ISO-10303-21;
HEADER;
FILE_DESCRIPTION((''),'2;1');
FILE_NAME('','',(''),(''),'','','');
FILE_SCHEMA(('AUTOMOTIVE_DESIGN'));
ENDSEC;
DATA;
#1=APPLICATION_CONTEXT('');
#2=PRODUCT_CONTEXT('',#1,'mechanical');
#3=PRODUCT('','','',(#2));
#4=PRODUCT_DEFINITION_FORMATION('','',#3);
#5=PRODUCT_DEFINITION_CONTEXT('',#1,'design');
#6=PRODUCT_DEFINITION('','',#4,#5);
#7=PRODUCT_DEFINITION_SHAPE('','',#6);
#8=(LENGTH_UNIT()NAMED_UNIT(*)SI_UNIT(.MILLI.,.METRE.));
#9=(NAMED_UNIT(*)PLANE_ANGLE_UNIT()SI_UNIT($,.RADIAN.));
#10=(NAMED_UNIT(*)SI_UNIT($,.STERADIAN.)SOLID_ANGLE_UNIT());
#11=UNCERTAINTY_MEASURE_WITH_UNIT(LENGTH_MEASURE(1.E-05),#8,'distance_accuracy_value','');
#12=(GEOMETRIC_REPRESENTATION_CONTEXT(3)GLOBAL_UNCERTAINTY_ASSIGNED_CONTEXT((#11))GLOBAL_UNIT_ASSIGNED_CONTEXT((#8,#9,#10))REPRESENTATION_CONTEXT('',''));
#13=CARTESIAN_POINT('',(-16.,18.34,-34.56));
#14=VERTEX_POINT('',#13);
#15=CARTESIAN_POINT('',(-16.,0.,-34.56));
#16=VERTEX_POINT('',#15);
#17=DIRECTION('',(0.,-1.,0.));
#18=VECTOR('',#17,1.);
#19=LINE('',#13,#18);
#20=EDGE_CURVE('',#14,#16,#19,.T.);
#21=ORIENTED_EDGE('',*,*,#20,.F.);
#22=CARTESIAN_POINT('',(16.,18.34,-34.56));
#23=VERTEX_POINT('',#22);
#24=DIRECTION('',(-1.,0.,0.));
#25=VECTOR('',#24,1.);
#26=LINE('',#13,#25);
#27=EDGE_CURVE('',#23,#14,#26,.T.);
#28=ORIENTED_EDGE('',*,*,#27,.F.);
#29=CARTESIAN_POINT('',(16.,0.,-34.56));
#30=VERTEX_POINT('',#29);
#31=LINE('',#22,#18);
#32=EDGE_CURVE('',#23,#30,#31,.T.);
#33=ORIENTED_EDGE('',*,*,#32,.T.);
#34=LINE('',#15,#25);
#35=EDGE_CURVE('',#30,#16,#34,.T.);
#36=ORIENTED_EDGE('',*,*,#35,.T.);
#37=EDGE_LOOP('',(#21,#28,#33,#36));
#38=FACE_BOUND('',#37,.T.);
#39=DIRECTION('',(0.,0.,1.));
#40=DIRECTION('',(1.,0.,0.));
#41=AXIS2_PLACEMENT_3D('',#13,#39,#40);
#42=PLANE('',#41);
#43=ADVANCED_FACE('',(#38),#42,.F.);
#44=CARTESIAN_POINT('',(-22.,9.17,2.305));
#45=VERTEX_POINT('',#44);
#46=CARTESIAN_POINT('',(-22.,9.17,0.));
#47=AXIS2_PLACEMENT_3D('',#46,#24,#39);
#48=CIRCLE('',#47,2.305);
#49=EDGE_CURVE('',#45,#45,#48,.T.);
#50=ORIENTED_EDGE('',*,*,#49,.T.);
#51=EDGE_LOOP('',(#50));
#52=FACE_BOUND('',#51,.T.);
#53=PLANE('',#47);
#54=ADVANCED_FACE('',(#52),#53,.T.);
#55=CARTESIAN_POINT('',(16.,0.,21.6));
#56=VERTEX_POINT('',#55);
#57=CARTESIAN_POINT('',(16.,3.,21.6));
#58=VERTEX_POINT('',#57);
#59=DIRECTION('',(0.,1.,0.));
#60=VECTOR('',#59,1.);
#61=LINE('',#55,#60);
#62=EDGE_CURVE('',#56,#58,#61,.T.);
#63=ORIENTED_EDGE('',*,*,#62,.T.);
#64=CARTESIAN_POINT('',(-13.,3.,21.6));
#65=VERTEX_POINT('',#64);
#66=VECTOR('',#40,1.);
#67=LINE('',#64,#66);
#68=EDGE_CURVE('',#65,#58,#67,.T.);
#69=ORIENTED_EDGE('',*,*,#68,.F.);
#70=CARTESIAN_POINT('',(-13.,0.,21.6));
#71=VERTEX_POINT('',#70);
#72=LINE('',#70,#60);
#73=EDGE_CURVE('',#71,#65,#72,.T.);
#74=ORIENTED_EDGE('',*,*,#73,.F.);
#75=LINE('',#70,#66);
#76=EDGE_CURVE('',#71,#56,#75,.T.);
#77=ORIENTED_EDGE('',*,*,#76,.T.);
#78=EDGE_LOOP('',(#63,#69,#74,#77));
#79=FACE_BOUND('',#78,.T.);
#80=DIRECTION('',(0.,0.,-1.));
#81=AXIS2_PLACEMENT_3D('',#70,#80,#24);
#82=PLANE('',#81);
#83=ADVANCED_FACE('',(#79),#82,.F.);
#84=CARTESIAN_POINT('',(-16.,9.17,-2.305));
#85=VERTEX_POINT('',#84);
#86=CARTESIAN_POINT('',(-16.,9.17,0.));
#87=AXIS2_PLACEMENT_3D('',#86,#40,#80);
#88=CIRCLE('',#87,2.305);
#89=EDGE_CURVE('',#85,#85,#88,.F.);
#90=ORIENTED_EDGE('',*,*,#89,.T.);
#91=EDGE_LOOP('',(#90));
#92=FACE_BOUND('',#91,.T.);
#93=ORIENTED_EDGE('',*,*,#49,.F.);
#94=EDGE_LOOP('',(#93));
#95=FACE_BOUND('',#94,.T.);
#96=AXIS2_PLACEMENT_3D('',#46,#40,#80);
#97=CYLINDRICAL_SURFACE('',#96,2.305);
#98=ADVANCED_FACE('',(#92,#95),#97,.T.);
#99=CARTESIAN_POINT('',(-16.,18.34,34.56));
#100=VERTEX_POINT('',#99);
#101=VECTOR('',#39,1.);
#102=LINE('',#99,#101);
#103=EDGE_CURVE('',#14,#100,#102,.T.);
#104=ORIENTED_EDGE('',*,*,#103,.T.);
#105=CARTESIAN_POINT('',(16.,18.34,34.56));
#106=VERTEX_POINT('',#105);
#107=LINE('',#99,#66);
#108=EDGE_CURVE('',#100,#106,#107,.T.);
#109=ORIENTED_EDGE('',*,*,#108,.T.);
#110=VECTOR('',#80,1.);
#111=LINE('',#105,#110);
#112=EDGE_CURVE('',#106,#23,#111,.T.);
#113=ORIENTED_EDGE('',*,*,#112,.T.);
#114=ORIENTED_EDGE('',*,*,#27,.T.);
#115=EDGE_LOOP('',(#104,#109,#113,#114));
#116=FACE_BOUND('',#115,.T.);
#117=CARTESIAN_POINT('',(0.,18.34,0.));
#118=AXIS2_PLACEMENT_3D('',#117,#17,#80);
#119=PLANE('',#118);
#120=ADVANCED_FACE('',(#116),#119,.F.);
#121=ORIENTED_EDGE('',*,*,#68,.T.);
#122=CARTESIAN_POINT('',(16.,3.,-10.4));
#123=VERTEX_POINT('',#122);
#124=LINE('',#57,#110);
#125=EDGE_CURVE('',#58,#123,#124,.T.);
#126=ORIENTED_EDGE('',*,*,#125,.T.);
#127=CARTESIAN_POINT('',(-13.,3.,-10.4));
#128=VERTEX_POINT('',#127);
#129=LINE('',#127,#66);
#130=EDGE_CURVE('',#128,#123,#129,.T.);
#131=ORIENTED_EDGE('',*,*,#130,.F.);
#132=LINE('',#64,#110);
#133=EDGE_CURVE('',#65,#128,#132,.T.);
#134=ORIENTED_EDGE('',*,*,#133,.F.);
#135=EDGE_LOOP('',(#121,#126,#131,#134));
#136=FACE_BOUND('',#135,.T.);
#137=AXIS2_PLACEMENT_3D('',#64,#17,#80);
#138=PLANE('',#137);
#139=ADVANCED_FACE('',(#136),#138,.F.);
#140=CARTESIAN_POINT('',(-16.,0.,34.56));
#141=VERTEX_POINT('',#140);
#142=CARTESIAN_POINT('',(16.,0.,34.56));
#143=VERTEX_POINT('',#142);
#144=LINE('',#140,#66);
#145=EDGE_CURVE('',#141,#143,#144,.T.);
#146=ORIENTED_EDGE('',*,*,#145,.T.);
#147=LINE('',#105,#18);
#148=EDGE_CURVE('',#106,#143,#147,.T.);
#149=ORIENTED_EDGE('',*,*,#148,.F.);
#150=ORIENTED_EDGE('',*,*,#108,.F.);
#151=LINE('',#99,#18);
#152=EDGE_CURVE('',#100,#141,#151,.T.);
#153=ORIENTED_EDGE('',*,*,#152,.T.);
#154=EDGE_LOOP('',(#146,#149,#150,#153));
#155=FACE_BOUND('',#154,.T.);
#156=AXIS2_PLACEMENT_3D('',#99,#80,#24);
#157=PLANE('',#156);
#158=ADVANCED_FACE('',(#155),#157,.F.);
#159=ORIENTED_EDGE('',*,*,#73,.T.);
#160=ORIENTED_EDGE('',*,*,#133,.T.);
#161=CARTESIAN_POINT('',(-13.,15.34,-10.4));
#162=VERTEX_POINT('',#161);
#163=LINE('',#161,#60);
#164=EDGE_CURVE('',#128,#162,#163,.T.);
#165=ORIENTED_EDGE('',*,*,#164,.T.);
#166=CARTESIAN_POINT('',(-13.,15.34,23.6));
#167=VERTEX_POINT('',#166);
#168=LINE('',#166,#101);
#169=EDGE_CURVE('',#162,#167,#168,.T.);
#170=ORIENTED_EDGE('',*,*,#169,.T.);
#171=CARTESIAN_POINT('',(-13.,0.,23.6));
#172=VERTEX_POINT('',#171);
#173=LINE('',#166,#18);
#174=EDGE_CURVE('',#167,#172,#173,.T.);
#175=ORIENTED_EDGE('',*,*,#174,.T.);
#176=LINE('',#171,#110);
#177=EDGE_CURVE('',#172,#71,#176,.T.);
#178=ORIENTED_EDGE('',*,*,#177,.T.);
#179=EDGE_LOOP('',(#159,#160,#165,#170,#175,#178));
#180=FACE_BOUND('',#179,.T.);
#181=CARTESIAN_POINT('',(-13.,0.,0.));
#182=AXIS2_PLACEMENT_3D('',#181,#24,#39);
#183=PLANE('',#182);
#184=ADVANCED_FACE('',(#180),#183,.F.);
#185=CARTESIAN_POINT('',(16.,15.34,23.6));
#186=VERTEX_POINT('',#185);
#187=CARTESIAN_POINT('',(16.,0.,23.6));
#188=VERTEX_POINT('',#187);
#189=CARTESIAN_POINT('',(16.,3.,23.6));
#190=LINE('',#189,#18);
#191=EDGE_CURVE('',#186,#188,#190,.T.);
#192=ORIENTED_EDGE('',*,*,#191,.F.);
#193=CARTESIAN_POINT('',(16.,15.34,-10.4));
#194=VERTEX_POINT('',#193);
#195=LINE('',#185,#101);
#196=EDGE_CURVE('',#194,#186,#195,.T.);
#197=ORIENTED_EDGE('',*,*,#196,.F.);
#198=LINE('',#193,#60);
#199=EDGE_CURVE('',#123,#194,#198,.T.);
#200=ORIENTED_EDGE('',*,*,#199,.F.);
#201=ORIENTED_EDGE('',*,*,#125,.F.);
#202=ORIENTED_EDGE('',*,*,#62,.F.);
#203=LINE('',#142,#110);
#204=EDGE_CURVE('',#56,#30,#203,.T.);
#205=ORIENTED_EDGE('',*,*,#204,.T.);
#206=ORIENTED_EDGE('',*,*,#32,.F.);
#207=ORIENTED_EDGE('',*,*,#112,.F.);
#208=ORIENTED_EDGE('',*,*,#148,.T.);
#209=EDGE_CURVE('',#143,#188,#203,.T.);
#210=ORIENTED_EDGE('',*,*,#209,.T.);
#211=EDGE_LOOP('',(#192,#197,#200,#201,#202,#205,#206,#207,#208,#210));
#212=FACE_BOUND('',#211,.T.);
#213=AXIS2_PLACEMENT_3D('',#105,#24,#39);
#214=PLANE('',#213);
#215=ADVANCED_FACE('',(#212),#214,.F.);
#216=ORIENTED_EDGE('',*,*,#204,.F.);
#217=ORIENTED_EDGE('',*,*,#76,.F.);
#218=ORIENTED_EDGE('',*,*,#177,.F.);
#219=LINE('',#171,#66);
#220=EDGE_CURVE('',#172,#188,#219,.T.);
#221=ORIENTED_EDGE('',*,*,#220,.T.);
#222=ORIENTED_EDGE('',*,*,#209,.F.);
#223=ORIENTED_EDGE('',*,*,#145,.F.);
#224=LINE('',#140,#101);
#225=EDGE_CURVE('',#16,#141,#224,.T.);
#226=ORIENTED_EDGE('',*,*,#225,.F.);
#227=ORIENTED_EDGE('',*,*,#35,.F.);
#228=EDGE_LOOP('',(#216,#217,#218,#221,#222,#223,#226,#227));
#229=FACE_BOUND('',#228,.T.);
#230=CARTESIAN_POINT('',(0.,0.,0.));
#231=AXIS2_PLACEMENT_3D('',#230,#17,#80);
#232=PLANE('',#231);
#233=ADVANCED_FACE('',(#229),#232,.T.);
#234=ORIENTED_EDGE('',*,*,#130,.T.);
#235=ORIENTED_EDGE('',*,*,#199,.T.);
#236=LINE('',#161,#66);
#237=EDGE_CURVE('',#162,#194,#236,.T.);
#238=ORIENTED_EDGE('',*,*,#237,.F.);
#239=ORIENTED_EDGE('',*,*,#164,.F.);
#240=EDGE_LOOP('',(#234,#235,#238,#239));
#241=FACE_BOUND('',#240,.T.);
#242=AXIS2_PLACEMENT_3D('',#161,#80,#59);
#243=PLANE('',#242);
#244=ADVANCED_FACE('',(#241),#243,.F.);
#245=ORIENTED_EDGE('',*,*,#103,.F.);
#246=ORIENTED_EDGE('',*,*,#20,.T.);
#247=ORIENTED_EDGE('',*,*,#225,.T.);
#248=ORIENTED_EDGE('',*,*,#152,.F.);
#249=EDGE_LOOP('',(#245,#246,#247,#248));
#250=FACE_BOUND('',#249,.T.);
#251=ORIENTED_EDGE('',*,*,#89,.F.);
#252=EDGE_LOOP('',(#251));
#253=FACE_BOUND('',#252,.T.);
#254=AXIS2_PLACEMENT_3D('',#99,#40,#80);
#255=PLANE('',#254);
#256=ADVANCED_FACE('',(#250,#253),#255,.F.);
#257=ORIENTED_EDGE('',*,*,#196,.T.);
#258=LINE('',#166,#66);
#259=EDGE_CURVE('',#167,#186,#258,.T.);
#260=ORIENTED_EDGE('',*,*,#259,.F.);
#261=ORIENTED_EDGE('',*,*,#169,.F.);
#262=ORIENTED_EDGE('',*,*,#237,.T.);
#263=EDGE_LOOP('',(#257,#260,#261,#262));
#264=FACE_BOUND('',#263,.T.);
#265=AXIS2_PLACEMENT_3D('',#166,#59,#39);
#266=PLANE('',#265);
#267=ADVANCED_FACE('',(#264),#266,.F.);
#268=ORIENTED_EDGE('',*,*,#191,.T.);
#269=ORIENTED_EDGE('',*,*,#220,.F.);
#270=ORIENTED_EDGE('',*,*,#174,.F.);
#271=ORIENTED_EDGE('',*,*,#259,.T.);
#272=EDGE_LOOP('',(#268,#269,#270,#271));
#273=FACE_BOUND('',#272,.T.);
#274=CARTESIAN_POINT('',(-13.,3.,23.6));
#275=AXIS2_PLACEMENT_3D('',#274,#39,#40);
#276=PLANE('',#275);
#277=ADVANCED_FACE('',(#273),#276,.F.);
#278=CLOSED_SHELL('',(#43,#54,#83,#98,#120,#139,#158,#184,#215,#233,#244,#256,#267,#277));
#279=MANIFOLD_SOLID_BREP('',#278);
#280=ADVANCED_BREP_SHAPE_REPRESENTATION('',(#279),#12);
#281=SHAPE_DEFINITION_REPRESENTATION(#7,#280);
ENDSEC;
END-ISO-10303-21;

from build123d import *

# Parameters (mm, degrees)
SKETCH2_W           = 32
SKETCH2_H           = 69.12
BOSS_EXTRUDE1_DEPTH = 18.34
CUT_EXTRUDE1_DEPTH  = 29
SKETCH4_R           = 2.305
BOSS_EXTRUDE3_DEPTH = 6


with BuildPart() as part:
    # Sketch2 → Boss-Extrude1 (new body)
    with BuildSketch(Plane(origin=(0, 0, 0), x_dir=(1, 0, 0), z_dir=(0, 1, 0))):
        Rectangle(SKETCH2_W, SKETCH2_H)
    extrude(amount=BOSS_EXTRUDE1_DEPTH)

    # Sketch3 → Cut-Extrude1 (cut)
    with BuildSketch(Plane(origin=(16, 0, 0), x_dir=(0, 0, -1), z_dir=(1, 0, 0))):
        Polygon((-23.6, 15.34), (10.4, 15.34), (10.4, 3), (-21.6, 3), (-21.6, 0), (-23.6, 0), (-23.6, 3), align=None)
    extrude(amount=-CUT_EXTRUDE1_DEPTH, mode=Mode.SUBTRACT)

    # Sketch4 → Boss-Extrude3 (add)
    with BuildSketch(Plane.ZY.offset(16)):
        with Locations(Location((0, 9.17, 0), (0, 0, 180))):
            Circle(SKETCH4_R)
    extrude(amount=BOSS_EXTRUDE3_DEPTH)


solid = part.part
